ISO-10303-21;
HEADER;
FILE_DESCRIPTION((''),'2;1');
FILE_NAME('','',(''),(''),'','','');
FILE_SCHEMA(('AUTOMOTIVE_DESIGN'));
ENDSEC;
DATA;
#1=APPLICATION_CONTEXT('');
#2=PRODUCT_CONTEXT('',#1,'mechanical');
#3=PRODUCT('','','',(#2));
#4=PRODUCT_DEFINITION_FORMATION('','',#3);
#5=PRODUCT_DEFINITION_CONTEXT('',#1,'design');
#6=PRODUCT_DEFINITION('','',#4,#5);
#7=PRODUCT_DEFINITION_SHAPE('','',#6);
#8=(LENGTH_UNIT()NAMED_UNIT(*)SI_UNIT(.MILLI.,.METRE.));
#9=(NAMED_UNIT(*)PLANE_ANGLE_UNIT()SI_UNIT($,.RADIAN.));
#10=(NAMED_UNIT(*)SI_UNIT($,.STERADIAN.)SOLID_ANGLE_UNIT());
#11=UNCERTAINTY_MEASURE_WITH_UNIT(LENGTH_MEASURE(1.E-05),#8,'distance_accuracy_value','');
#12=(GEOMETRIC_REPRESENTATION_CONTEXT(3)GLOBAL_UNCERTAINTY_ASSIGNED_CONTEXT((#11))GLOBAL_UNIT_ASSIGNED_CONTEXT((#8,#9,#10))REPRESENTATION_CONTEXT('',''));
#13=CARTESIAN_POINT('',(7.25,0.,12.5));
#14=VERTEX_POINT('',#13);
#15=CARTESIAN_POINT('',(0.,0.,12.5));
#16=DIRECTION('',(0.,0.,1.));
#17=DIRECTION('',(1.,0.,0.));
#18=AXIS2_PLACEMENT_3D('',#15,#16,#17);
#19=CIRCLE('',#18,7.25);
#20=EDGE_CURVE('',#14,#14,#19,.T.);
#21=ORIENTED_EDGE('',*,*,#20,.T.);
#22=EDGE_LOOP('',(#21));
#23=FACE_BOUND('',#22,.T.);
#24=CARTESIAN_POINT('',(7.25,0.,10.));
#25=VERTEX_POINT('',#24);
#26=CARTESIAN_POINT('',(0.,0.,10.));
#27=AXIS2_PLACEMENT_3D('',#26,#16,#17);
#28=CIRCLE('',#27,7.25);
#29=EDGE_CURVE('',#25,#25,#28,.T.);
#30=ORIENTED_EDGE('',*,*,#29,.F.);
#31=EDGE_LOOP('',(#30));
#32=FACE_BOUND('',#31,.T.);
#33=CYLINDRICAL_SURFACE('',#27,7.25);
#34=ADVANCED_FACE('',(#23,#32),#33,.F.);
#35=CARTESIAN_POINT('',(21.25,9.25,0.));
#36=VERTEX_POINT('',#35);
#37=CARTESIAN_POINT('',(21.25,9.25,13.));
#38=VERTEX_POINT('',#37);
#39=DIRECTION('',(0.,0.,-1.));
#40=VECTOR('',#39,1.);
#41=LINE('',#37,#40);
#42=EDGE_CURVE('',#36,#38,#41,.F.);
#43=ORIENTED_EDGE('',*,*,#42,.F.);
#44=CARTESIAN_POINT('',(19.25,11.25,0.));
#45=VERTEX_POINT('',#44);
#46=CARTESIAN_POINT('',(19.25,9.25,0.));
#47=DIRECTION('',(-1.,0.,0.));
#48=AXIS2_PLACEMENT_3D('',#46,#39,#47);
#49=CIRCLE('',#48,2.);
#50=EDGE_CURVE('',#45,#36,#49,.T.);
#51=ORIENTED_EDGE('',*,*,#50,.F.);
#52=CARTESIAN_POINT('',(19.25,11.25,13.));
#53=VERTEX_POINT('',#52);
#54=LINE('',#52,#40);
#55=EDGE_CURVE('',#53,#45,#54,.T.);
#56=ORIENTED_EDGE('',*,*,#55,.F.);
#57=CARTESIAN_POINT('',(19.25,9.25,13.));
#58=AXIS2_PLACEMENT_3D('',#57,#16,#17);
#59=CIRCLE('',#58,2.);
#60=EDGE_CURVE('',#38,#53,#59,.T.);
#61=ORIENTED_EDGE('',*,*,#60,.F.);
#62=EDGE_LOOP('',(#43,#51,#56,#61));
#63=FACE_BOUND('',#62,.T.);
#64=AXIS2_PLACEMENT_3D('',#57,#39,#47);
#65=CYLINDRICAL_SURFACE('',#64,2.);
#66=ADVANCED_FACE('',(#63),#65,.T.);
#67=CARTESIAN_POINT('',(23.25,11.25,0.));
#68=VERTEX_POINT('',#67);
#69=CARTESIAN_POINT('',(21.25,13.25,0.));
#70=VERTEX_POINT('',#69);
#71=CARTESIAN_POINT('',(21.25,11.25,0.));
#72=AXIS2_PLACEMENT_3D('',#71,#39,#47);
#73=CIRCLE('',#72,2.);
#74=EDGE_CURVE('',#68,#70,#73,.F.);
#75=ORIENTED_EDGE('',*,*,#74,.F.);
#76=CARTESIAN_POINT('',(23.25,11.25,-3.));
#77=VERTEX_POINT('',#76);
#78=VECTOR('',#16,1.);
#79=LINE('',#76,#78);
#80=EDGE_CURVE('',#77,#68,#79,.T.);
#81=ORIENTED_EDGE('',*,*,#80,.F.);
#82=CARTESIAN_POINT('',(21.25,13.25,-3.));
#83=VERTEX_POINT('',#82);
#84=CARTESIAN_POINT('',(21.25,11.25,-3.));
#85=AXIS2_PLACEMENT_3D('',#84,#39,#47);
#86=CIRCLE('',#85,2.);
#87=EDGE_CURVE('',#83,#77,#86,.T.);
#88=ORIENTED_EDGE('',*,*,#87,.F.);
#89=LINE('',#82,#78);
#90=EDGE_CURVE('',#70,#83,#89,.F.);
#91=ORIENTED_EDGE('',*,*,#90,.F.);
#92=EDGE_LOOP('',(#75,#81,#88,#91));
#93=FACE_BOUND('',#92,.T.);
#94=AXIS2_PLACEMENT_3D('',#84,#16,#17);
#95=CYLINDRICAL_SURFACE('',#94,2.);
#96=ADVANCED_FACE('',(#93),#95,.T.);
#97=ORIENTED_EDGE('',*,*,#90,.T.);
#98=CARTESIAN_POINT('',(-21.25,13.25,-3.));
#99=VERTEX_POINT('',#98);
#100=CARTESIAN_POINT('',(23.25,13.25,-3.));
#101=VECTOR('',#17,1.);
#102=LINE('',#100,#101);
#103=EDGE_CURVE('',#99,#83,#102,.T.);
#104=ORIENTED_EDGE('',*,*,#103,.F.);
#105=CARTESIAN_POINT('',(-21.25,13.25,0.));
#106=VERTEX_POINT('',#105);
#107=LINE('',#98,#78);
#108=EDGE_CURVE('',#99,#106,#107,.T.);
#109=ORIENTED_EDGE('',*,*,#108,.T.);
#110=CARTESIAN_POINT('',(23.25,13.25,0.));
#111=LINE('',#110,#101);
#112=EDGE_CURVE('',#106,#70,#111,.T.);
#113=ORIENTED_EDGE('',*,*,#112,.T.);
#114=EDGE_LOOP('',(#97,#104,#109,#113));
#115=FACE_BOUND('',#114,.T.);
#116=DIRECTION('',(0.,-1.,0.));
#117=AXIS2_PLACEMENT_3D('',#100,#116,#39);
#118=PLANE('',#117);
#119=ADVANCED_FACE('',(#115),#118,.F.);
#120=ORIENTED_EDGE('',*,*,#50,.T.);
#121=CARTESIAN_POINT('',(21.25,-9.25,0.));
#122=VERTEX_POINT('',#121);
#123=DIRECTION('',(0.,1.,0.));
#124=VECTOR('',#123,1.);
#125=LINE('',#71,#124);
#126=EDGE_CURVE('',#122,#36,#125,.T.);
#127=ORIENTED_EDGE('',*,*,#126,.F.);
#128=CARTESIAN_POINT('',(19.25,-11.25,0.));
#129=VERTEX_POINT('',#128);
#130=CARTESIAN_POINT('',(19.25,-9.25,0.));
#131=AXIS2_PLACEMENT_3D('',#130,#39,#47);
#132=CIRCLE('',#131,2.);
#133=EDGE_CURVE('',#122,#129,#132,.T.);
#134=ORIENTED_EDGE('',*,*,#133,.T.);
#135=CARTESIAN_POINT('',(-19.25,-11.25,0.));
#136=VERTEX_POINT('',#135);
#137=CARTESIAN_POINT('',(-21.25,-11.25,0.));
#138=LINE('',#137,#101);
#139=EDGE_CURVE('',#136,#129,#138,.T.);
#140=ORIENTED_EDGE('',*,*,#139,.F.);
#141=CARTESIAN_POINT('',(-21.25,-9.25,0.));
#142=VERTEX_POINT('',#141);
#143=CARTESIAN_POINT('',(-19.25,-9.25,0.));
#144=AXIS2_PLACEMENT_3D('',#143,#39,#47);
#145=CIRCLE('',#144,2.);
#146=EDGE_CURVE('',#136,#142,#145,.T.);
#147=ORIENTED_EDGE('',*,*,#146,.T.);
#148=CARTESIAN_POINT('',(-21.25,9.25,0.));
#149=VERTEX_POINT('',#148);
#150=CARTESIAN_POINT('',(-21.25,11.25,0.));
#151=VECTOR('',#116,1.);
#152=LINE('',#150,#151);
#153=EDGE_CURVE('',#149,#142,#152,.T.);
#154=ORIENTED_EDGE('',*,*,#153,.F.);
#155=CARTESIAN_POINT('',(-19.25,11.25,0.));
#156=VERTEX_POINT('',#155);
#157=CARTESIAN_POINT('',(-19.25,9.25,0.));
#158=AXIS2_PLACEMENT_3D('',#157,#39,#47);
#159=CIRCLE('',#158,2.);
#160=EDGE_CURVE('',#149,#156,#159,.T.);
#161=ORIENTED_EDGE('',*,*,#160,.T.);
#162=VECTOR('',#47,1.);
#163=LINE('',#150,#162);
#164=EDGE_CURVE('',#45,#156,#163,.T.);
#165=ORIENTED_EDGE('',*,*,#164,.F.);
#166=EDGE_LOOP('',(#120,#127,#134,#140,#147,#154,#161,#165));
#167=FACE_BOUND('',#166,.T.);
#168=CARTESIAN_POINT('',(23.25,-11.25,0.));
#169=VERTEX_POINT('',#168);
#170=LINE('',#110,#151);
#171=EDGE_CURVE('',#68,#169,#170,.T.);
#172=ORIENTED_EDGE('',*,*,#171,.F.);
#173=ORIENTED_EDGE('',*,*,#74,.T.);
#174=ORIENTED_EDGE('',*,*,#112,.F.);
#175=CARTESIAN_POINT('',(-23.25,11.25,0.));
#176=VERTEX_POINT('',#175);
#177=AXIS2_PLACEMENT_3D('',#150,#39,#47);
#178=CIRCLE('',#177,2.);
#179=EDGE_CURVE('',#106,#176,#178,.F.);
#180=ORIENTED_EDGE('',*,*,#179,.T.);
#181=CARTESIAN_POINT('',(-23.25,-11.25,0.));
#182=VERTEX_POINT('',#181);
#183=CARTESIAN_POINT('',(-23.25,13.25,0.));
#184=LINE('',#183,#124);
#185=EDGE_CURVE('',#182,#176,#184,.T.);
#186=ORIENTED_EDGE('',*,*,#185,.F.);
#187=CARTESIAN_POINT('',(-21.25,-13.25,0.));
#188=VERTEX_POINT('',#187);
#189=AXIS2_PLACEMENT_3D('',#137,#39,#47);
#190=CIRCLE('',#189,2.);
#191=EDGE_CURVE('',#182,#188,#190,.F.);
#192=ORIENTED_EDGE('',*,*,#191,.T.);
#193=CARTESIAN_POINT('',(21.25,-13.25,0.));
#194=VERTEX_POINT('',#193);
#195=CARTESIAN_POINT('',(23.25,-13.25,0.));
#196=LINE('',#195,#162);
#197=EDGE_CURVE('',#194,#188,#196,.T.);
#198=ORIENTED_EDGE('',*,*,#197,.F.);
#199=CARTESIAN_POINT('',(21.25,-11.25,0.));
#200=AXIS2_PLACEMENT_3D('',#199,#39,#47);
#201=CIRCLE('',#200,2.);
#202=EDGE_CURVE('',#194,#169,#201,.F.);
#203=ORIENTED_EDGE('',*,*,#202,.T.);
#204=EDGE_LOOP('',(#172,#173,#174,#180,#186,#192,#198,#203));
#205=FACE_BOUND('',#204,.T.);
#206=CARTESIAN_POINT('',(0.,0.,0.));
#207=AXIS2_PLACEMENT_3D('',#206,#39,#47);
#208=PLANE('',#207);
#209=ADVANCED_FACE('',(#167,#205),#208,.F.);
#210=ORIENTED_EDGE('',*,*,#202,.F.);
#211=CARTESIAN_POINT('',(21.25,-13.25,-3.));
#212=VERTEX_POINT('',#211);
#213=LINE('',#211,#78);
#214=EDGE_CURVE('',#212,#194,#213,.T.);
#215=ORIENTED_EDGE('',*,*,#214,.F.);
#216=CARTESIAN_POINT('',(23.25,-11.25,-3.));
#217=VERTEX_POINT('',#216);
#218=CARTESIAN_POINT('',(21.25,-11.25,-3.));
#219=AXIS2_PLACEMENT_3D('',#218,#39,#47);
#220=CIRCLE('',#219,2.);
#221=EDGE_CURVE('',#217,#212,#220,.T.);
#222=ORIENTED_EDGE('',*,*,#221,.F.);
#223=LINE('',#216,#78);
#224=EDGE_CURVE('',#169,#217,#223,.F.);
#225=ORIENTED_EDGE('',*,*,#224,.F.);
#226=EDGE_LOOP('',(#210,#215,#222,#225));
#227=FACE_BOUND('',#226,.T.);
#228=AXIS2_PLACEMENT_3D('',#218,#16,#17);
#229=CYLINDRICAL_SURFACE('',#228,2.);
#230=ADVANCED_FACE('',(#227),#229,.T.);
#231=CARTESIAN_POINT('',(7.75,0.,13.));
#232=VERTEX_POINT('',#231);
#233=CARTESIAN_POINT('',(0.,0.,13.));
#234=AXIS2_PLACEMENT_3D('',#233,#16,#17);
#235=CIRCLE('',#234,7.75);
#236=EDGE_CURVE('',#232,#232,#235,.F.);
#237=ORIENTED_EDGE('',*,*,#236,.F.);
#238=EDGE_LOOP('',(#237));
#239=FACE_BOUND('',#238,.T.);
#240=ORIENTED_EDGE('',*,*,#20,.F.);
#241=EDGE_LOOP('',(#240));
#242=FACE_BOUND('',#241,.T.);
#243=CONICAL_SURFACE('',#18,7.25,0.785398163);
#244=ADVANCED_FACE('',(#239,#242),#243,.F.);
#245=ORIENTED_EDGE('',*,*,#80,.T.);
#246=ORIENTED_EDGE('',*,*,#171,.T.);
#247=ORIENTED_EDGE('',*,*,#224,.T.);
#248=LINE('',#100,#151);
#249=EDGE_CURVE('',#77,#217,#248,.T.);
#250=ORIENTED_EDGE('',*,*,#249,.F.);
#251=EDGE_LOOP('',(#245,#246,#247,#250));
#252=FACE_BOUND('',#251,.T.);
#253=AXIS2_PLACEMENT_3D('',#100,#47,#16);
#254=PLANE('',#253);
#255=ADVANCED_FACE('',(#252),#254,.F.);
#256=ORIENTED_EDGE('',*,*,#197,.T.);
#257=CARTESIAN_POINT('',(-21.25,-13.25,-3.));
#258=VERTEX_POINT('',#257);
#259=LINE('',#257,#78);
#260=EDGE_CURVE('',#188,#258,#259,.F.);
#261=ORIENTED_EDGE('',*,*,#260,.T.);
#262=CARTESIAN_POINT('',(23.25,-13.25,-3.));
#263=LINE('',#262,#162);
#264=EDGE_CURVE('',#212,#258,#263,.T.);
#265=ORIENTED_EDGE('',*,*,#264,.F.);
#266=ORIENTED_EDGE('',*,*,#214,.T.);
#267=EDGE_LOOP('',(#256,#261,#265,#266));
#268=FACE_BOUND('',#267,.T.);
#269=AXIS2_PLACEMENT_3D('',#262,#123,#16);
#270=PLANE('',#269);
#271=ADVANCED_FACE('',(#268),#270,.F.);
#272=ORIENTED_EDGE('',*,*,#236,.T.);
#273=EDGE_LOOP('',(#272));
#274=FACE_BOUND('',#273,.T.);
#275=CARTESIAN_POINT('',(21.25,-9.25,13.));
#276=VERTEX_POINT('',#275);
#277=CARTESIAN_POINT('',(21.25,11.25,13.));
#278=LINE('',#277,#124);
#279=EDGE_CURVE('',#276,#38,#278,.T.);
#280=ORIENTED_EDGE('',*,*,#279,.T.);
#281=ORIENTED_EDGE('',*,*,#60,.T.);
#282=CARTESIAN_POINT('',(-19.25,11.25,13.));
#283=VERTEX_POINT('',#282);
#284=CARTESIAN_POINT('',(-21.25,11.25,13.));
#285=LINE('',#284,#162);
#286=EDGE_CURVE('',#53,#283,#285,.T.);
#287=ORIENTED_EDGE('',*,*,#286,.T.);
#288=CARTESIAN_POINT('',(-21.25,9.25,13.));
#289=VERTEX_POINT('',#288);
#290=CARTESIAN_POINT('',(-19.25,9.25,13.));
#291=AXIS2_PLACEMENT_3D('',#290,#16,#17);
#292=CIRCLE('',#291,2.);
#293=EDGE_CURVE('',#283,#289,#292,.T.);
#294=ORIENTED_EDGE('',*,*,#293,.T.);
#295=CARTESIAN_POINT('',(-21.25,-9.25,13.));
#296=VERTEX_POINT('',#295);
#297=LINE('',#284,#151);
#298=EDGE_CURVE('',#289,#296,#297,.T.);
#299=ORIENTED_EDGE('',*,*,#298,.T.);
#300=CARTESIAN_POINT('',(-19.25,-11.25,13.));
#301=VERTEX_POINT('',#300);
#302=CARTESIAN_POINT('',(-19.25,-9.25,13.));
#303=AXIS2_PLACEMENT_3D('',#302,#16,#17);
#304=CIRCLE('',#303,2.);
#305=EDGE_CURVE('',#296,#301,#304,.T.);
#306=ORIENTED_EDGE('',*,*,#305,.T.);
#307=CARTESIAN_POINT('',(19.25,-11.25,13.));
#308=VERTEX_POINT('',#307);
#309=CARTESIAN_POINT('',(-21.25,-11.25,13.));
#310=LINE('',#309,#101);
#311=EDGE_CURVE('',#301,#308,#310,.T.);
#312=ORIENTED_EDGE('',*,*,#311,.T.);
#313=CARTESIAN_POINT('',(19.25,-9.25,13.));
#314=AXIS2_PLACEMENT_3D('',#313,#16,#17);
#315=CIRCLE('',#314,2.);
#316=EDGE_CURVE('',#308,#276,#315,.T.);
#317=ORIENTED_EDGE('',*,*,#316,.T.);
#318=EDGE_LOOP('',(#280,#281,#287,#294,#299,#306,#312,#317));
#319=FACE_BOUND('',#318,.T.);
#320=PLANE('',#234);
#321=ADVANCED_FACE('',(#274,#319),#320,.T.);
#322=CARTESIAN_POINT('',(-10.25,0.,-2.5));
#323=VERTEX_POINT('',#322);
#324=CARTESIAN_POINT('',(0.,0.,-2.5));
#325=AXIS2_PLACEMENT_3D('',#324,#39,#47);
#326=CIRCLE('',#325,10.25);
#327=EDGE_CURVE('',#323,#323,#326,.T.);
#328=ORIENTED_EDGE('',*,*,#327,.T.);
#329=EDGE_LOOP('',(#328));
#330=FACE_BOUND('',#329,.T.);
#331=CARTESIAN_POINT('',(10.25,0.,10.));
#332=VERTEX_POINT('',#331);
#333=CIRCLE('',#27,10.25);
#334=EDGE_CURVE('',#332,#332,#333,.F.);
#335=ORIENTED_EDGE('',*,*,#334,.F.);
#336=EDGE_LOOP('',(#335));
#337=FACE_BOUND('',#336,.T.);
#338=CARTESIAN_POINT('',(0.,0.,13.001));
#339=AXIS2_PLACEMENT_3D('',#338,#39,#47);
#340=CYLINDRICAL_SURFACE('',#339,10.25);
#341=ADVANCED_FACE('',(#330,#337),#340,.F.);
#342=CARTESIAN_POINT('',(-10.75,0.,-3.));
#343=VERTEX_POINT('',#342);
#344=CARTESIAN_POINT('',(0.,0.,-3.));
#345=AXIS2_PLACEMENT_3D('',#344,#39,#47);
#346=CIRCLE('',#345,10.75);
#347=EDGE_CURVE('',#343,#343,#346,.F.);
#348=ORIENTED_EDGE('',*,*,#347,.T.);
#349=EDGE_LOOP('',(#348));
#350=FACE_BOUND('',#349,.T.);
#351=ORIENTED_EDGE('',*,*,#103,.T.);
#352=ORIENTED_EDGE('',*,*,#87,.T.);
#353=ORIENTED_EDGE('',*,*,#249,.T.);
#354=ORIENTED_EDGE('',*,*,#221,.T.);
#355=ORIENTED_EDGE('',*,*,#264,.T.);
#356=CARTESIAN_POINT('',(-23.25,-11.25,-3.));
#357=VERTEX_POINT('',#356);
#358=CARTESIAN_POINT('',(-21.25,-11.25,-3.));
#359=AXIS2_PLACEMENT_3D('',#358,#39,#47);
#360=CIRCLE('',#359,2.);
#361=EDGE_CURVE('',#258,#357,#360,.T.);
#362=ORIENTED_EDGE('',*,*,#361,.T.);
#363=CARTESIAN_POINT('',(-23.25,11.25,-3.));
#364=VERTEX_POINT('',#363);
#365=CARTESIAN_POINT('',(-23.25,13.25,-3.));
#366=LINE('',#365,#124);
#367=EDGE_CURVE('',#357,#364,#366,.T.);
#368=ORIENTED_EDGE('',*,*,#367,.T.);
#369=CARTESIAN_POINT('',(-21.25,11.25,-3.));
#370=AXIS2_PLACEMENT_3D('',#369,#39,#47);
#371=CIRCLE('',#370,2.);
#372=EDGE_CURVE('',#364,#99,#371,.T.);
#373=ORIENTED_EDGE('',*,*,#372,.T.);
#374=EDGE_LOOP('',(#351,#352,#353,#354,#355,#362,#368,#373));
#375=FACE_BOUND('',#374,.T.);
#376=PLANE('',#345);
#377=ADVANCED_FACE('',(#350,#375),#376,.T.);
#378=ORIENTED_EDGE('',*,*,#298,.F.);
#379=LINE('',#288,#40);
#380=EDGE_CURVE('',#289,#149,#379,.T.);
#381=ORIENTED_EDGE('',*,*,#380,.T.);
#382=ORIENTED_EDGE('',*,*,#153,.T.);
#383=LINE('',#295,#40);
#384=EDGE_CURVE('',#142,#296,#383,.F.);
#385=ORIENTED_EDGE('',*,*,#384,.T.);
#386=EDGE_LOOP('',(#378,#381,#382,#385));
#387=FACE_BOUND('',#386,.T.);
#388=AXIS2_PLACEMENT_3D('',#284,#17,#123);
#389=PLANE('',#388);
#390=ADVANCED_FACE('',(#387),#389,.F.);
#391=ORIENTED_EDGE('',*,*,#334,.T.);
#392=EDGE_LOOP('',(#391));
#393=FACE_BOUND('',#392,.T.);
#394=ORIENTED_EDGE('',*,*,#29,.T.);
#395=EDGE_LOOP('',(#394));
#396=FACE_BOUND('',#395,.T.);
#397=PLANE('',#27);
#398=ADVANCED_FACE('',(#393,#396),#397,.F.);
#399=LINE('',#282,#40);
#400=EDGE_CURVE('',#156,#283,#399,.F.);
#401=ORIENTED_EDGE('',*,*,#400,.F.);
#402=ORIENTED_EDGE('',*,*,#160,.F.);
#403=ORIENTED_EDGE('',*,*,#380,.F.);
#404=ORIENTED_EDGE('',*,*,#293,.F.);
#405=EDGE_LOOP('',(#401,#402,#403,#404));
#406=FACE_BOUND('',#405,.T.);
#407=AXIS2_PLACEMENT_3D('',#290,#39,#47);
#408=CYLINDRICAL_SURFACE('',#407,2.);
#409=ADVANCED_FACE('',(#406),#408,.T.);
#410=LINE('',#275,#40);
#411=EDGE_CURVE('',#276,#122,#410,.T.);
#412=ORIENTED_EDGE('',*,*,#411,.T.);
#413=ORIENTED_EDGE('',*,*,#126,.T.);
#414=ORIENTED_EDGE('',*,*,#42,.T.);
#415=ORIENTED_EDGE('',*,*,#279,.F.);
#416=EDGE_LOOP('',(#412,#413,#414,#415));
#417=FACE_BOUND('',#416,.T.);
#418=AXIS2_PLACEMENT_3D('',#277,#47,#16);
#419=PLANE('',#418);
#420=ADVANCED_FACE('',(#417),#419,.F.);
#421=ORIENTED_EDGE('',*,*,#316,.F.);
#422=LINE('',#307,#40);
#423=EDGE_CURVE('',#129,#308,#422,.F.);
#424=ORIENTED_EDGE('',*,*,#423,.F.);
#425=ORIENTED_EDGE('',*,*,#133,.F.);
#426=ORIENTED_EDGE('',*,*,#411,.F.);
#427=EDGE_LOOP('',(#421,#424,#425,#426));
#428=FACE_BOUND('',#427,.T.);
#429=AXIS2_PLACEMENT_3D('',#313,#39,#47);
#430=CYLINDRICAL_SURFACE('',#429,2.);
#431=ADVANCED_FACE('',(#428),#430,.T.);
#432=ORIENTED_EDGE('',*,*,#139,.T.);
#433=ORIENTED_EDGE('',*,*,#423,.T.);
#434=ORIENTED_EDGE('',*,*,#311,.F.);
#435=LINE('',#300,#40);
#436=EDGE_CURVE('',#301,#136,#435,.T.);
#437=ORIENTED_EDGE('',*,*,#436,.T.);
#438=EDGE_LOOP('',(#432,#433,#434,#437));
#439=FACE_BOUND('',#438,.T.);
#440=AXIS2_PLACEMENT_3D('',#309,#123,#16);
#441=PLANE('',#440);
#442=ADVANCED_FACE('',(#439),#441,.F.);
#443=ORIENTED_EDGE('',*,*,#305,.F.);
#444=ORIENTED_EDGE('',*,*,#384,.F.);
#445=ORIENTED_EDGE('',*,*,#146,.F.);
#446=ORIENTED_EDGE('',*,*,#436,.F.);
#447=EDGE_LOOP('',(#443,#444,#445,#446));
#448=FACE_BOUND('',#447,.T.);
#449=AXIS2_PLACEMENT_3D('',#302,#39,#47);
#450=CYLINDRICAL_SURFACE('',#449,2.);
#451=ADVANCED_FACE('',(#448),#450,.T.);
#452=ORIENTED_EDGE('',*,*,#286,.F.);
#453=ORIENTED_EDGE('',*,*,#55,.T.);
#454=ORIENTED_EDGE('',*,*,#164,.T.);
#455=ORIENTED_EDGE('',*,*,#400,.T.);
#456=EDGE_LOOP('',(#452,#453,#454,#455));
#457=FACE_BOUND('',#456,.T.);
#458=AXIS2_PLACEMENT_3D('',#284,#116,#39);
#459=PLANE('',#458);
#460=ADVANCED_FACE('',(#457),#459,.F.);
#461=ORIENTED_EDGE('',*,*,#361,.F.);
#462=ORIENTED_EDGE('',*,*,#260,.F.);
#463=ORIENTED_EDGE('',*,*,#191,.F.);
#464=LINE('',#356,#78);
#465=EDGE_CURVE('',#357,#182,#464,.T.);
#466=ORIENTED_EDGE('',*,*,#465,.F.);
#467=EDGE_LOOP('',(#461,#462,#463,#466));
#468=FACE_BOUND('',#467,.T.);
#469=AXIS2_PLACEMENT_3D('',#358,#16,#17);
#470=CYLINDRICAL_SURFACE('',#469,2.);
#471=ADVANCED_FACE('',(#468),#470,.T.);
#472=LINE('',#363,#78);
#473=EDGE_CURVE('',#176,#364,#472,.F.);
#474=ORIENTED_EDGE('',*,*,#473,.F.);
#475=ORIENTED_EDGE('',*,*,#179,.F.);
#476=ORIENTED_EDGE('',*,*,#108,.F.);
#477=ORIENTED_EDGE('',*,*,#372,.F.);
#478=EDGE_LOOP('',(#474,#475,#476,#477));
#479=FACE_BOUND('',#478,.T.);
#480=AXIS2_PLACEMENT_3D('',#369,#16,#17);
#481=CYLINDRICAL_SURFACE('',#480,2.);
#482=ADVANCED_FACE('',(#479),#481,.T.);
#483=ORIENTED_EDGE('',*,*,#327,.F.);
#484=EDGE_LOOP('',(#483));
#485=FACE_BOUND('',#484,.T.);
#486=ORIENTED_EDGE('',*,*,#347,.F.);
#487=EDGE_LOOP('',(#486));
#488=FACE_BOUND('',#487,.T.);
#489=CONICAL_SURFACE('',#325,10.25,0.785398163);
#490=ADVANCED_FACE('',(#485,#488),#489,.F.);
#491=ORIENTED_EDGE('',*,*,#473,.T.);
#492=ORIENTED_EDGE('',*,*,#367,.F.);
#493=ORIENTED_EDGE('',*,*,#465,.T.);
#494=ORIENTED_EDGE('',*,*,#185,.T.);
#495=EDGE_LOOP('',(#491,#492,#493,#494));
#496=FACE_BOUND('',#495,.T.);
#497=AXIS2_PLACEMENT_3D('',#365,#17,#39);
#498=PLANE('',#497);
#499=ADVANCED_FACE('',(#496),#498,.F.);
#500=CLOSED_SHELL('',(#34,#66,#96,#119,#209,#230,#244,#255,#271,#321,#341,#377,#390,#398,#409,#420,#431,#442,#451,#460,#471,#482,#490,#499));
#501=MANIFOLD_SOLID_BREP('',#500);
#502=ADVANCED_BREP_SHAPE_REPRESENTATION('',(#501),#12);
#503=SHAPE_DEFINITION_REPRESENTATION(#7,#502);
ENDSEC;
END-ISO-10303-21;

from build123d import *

# Parameters (mm, degrees)
SKETCH1_W           = 42.5
SKETCH1_H           = 22.5
BOSS_EXTRUDE1_DEPTH = 13
SKETCH2_W           = 46.5
SKETCH2_H           = 26.5
BOSS_EXTRUDE2_DEPTH = 3
CUT_EXTRUDE2_REACH  = 18
SKETCH6_R           = 10.25
SKETCH7_R           = 10.25
SKETCH7_R_2         = 7.25
BOSS_EXTRUDE4_DEPTH = 3
FILLET1_R           = 2
CHAMFER1_SIZE       = 0.5


with BuildPart() as part:
    # Sketch1 → Boss-Extrude1 (new body)
    with BuildSketch(Plane.XY):
        Rectangle(SKETCH1_W, SKETCH1_H)
    extrude(amount=BOSS_EXTRUDE1_DEPTH)

    # Sketch2 → Boss-Extrude2 (add)
    with BuildSketch(Plane(origin=(0, 0, 0), x_dir=(-1, 0, 0), z_dir=(0, 0, -1))):
        Rectangle(SKETCH2_W, SKETCH2_H)
    extrude(amount=BOSS_EXTRUDE2_DEPTH)

    # Sketch6 → Cut-Extrude2 (cut, up to next)
    with BuildSketch(Plane(origin=(0, 0, -3), x_dir=(-1, 0, 0), z_dir=(0, 0, -1)), mode=Mode.PRIVATE) as cut_extrude2_sk1:
        Circle(SKETCH6_R)
    cut_extrude2_tool1 = extrude(cut_extrude2_sk1.sketch, amount=-CUT_EXTRUDE2_REACH, mode=Mode.PRIVATE) & part.part
    add(cut_extrude2_tool1.solids().sort_by_distance((0, 0, -3))[0], mode=Mode.SUBTRACT)

    # Sketch7 → Boss-Extrude4 (add)
    with BuildSketch(Plane.XY.offset(13)):
        Circle(SKETCH7_R)
        Circle(SKETCH7_R_2, mode=Mode.SUBTRACT)
    extrude(amount=-BOSS_EXTRUDE4_DEPTH)

    # Fillet1
    fillet1_edges = [part.edges().sort_by_distance(p)[0] for p in [
        (-23.25, -13.25, -1.5),
        (-23.25, 13.25, -1.5),
        (23.25, 13.25, -1.5),
        (23.25, -13.25, -1.5),
        (21.25, -11.25, 6.5),
        (-21.25, -11.25, 6.5),
        (-21.25, 11.25, 6.5),
        (21.25, 11.25, 6.5),
    ]]
    fillet(fillet1_edges, radius=FILLET1_R)

    # Chamfer1
    chamfer1_edges = [part.edges().sort_by_distance(p)[0] for p in [
        (10.25, 0, -3),
        (-7.25, 0, 13),
    ]]
    chamfer(chamfer1_edges, length=CHAMFER1_SIZE)


solid = part.part
